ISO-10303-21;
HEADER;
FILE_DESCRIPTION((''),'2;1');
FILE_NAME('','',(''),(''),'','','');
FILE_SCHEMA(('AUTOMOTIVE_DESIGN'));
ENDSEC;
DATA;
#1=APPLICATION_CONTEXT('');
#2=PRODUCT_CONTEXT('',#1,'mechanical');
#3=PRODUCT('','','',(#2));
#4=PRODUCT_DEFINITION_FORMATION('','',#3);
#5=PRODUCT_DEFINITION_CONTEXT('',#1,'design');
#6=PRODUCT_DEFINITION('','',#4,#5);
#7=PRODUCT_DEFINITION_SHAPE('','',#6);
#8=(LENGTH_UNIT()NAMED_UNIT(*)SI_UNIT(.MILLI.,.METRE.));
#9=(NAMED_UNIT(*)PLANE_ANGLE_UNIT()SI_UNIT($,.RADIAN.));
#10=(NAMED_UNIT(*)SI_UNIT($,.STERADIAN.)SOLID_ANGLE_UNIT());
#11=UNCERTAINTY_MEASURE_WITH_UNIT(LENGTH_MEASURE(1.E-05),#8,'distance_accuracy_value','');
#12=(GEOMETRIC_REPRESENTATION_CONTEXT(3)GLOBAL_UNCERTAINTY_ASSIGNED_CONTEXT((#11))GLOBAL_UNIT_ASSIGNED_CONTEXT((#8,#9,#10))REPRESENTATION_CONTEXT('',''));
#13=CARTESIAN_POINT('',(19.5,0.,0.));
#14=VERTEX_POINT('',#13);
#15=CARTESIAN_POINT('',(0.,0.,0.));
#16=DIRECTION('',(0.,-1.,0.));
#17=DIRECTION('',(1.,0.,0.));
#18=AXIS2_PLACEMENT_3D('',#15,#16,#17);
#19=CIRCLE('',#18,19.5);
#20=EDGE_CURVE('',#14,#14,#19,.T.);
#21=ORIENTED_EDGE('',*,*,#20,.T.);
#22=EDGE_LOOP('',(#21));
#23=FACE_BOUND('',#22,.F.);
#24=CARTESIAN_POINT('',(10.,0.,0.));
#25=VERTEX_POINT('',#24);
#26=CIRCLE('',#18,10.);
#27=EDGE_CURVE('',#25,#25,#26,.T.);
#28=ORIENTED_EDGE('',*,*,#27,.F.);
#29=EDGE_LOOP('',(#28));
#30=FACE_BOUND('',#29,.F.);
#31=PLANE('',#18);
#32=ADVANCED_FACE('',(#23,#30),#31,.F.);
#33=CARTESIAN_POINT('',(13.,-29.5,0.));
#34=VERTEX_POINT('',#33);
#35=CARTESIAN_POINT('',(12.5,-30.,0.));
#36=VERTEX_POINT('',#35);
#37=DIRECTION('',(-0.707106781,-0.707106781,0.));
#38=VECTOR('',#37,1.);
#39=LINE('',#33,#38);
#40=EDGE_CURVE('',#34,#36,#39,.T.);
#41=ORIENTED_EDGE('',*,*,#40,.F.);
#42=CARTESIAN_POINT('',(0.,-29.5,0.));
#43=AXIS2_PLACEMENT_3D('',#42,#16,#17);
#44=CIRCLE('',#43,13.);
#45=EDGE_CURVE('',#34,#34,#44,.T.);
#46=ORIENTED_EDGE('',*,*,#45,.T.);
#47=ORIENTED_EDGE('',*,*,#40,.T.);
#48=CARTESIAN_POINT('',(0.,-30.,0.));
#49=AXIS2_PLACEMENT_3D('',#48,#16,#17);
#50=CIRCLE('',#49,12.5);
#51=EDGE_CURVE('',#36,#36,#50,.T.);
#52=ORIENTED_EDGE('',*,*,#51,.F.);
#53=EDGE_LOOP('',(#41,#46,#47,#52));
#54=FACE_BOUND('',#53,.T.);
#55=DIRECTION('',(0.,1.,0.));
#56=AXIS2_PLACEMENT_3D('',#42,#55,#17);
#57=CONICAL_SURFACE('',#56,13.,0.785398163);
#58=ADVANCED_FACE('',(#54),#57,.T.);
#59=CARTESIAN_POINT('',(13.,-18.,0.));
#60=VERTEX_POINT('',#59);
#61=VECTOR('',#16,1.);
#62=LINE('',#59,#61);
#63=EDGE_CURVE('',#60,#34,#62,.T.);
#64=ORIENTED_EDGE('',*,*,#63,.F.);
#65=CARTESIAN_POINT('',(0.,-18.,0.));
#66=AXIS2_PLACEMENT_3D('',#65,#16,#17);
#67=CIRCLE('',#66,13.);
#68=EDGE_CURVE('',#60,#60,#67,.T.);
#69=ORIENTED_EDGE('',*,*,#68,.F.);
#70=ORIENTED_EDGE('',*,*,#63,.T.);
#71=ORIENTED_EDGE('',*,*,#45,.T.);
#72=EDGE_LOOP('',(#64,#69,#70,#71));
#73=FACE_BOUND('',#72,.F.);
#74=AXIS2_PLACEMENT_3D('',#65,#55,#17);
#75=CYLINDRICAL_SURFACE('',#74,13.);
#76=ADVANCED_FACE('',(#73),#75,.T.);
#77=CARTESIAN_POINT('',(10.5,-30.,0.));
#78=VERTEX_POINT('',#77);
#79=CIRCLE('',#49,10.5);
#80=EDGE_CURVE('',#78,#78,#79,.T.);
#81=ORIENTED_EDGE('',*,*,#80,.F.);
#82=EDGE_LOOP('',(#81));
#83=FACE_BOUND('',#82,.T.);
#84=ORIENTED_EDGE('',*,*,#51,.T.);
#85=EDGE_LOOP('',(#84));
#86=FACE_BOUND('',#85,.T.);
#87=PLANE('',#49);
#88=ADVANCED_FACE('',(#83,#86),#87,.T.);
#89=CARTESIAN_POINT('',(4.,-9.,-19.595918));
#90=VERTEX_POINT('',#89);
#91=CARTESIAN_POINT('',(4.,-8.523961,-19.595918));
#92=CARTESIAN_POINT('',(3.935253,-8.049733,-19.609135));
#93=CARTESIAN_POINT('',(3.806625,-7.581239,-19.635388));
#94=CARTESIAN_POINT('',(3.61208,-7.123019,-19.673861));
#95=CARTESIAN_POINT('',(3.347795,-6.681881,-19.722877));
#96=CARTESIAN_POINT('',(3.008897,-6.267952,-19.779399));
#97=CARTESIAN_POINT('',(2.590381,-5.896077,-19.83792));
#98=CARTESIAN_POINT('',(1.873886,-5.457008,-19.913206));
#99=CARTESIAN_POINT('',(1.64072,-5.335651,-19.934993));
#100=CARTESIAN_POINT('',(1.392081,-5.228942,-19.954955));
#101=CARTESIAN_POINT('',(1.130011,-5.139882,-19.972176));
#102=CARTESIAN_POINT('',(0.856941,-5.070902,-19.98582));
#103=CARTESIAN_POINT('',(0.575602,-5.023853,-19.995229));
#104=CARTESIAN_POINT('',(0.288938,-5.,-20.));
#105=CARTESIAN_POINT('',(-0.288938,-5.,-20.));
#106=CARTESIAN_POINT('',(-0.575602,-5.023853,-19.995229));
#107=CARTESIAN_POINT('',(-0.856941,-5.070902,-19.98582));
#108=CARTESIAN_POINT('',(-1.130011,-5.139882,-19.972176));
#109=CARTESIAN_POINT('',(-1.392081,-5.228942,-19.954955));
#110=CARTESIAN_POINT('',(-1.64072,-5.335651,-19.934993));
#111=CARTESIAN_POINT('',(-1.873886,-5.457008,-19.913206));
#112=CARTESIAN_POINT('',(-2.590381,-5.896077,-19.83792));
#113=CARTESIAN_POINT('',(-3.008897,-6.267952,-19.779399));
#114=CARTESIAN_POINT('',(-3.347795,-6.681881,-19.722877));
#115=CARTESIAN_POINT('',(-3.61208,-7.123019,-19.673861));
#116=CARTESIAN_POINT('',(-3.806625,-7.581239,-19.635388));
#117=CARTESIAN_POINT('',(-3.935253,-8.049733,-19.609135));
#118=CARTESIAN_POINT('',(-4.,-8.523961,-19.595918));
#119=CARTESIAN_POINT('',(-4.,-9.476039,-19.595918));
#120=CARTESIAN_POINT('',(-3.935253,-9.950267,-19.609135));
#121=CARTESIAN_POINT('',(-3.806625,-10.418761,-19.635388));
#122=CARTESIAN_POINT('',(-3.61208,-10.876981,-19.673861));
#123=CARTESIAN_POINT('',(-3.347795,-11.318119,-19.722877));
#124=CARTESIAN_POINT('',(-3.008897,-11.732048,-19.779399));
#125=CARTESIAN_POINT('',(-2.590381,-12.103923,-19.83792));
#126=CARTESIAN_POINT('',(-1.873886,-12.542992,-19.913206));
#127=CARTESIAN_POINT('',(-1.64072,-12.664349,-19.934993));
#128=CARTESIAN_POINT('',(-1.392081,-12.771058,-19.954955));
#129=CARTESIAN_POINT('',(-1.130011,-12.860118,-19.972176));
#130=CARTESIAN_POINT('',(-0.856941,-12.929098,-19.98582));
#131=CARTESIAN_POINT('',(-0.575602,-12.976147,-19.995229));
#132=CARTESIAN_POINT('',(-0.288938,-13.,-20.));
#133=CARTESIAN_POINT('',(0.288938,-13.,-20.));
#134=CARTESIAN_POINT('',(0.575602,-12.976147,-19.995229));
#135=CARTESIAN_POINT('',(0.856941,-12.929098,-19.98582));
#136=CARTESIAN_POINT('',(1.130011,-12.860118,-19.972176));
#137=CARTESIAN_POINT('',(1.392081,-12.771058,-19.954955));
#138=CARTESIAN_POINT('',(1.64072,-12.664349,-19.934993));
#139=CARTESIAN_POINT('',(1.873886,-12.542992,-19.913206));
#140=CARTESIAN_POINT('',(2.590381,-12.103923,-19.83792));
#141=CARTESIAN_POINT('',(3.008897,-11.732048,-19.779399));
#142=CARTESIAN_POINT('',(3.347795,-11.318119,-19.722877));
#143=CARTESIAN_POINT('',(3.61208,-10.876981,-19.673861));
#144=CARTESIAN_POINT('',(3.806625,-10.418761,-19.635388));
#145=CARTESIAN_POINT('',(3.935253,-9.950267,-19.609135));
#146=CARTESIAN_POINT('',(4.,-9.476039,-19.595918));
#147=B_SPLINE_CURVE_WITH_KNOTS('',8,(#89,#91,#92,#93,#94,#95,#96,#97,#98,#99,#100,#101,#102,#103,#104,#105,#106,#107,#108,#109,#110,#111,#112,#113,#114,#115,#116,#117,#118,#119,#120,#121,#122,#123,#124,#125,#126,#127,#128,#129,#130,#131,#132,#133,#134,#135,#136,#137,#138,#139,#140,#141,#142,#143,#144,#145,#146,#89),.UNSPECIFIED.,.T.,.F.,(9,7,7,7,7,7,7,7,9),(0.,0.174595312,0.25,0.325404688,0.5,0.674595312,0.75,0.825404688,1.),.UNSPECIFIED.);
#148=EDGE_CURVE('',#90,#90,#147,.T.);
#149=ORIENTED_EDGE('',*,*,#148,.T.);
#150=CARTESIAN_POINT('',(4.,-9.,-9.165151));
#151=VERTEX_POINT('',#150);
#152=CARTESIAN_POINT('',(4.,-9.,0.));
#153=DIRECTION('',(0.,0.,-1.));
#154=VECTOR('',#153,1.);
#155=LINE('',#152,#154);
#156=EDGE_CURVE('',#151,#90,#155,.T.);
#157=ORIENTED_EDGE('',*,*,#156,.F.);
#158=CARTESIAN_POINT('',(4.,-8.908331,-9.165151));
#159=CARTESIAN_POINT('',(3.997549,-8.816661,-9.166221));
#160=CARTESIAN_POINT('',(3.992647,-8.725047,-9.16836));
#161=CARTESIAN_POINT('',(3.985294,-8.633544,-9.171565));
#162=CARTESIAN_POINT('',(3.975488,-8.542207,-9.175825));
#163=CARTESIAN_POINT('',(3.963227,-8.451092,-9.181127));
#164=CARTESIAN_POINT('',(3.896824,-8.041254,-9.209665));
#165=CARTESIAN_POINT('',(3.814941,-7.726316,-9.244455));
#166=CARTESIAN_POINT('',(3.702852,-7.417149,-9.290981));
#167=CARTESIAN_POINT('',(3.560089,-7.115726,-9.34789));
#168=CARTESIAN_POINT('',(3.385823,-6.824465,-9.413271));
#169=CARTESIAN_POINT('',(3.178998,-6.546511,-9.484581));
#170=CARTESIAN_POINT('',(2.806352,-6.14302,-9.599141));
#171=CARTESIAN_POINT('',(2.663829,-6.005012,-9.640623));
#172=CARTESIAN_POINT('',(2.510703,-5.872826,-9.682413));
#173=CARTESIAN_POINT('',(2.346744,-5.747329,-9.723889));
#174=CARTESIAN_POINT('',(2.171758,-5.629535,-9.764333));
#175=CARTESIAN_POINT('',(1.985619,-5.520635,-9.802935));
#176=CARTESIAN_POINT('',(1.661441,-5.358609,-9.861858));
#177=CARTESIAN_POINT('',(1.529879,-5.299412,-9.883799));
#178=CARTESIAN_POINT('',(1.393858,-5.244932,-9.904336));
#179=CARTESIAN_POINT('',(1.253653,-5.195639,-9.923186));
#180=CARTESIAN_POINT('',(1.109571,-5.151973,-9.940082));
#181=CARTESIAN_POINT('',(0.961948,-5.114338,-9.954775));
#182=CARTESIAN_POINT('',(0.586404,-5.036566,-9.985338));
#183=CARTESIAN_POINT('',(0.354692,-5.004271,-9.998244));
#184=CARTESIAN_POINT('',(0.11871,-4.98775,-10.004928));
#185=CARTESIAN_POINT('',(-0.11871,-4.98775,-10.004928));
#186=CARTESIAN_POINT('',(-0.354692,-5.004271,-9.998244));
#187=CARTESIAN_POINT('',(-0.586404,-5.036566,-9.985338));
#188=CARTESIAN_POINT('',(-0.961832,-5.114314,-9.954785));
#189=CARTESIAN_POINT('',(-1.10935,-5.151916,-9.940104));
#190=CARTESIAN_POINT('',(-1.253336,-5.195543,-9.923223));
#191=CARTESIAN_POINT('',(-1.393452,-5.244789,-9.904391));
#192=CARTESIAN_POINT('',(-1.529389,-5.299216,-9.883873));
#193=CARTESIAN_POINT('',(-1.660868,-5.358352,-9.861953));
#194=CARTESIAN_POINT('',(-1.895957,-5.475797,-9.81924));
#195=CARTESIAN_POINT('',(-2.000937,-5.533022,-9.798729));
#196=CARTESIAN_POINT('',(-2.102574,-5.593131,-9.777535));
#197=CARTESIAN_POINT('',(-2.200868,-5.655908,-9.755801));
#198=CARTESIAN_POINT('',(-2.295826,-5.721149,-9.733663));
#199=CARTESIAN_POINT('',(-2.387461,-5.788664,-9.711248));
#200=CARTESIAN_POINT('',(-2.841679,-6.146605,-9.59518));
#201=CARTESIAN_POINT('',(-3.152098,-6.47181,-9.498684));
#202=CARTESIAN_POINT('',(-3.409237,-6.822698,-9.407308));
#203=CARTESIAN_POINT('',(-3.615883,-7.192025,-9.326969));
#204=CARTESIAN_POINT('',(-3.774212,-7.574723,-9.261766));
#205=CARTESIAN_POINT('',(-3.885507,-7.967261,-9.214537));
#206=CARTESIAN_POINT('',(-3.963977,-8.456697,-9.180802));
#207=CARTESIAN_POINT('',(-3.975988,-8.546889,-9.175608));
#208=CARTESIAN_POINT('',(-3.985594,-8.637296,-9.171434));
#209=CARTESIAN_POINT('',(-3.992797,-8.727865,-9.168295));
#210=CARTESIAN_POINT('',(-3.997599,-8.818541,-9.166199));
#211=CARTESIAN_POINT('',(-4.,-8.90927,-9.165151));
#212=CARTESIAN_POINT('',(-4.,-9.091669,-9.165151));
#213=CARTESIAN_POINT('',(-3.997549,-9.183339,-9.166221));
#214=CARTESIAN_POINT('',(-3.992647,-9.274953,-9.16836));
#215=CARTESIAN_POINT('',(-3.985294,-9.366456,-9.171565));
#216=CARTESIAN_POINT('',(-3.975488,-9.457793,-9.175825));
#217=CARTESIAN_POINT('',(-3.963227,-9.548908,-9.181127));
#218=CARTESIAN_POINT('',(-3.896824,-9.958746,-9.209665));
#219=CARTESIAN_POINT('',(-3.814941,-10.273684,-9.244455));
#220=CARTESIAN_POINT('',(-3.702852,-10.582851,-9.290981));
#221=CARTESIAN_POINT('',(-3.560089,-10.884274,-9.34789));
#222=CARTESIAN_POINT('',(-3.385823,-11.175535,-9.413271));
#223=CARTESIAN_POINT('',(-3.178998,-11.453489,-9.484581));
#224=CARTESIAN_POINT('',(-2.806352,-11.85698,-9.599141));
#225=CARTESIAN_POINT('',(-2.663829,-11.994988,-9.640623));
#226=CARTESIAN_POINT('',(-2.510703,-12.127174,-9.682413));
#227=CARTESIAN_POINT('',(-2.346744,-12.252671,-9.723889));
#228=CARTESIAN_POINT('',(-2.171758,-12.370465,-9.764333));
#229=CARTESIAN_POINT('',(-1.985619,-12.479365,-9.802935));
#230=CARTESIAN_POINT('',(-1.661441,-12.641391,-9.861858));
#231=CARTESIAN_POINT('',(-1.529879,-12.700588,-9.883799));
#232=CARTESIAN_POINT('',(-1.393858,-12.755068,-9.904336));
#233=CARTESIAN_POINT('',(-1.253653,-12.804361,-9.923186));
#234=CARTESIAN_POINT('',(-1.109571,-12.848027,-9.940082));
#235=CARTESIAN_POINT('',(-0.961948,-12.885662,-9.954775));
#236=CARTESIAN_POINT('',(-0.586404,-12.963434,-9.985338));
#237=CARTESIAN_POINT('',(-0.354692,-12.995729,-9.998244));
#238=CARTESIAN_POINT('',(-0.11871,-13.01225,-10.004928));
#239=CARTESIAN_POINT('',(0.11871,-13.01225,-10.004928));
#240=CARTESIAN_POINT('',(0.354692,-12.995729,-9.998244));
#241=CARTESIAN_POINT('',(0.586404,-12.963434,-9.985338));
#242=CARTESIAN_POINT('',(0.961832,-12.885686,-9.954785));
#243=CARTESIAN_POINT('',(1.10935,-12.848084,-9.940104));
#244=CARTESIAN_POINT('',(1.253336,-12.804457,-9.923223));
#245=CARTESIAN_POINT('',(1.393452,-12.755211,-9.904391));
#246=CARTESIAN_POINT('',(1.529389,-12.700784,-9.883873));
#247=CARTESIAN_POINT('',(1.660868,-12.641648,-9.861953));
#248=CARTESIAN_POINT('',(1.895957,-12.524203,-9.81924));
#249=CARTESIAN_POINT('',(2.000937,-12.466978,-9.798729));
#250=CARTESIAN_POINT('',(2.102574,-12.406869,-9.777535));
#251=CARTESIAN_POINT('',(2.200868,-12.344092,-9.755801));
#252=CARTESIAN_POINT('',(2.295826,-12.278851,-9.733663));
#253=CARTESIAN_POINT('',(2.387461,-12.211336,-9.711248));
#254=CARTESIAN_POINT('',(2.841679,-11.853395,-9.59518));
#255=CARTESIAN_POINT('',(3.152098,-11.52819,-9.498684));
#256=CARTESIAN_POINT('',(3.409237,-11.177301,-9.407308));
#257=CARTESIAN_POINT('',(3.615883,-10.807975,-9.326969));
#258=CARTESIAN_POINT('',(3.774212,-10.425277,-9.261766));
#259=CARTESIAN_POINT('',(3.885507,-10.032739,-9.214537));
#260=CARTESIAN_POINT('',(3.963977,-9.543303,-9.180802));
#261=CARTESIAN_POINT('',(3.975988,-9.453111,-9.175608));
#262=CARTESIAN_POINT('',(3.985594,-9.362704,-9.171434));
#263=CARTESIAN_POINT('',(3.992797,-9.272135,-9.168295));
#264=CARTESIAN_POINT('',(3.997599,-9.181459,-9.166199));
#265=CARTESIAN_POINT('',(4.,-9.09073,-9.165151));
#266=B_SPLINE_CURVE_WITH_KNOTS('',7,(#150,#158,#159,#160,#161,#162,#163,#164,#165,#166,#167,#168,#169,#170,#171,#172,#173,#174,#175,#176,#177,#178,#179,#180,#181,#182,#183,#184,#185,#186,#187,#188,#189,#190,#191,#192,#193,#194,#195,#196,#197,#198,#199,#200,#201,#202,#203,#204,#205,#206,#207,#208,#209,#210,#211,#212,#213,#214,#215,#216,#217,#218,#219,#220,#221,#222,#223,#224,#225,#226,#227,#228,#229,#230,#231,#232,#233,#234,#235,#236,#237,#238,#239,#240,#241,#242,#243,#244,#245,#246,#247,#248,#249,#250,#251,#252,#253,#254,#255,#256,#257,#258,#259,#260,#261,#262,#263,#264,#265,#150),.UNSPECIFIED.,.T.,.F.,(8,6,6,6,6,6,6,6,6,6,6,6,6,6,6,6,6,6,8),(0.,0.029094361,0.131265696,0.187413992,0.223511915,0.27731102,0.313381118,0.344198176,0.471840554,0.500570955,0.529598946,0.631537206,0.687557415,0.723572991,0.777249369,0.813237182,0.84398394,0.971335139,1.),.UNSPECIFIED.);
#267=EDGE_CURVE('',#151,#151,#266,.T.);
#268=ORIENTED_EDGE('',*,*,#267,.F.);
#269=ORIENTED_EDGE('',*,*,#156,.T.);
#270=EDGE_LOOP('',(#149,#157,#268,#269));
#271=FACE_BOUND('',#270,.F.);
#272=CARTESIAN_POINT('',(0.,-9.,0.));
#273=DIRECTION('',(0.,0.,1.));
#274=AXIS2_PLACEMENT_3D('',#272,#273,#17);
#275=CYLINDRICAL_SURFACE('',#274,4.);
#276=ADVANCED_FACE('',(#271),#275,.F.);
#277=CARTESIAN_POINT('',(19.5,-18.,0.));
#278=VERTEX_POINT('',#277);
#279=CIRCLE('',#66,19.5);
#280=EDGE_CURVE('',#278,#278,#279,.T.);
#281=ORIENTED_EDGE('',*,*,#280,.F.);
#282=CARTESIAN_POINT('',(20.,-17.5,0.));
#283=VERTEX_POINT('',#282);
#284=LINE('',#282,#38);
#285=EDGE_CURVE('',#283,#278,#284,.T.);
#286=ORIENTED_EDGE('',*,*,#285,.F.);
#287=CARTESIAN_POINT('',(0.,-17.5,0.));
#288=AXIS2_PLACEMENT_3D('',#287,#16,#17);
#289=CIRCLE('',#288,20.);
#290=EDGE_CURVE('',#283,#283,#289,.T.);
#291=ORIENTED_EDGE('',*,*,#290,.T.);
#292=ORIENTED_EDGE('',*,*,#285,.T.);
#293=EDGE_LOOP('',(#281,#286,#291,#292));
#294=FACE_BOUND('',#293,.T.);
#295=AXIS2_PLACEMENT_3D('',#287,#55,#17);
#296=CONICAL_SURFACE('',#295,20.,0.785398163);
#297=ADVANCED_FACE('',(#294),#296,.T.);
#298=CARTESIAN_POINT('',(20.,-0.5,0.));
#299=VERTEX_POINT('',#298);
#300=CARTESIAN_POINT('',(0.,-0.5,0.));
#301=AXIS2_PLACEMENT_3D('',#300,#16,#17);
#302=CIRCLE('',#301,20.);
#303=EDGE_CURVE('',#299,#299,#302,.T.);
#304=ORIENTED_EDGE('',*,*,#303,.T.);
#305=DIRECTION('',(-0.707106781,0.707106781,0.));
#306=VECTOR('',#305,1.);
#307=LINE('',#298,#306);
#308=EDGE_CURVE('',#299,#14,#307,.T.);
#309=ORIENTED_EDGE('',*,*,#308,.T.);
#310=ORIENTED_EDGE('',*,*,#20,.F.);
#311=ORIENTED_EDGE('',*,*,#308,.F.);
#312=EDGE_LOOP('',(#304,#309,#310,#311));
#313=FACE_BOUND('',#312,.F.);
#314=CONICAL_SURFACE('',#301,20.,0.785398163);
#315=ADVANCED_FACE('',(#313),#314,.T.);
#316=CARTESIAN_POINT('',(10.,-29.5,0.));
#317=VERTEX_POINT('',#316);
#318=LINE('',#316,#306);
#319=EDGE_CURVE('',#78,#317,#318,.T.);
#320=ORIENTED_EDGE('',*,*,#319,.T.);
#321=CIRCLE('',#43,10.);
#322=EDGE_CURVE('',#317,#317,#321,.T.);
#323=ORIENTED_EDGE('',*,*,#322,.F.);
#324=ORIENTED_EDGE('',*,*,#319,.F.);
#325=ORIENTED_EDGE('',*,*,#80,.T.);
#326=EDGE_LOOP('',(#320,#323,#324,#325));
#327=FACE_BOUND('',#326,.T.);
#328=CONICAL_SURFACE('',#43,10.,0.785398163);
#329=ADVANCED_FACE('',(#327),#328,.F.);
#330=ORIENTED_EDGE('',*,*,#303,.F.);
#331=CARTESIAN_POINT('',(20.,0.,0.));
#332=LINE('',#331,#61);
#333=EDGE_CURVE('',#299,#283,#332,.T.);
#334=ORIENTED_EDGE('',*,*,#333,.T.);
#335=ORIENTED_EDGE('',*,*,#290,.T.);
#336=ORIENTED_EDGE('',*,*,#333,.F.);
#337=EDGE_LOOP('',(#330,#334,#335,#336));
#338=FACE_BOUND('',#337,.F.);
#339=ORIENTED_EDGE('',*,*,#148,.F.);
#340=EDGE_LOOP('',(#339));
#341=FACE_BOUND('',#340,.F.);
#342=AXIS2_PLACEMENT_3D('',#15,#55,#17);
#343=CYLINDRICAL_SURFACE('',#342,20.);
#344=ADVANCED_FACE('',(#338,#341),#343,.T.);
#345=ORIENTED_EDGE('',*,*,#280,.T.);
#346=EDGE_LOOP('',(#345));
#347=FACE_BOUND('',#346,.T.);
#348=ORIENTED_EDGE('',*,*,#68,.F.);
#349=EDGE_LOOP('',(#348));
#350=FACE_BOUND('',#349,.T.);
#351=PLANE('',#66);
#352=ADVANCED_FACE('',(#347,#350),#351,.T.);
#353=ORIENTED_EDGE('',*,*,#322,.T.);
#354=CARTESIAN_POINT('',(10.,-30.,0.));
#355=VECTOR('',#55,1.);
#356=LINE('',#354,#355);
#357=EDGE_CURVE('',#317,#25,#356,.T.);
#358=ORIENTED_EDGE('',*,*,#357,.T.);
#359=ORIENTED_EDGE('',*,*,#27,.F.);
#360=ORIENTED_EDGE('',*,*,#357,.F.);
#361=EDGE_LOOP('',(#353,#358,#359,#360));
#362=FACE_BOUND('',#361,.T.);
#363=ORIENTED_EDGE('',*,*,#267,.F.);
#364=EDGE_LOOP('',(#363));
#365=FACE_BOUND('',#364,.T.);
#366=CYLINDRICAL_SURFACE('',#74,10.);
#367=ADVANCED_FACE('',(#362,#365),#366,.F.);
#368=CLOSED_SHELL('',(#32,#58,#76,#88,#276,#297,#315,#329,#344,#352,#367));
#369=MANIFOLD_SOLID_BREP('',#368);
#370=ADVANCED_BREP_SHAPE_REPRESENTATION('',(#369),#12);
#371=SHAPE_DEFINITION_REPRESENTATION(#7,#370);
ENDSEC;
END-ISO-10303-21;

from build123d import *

# Parameters (mm, degrees)
F0_R     = 20
F0_R_2   = 10
F1_DEPTH = 18
F2_R     = 4
F3_DEPTH = 25
F4_R     = 13
F4_R_2   = 10
F5_DEPTH = 12
F6_SIZE  = 0.5


with BuildPart() as f1:
    # F0 (on Front) → F1 (new body)
    with BuildSketch(Plane.XZ):
        Circle(F0_R)
        Circle(F0_R_2, mode=Mode.SUBTRACT)
    extrude(amount=F1_DEPTH)

    # F2 (on Top) → F3 (cut)
    with BuildSketch(Plane.XY):
        with Locations((0, -9)):
            Circle(F2_R)
    extrude(amount=-F3_DEPTH, mode=Mode.SUBTRACT)

    # F4 (on face) → F5 (join)
    with BuildSketch(Plane.XZ.offset(18)):
        Circle(F4_R)
        Circle(F4_R_2, mode=Mode.SUBTRACT)
    extrude(amount=F5_DEPTH)

    # F6
    f6_edges = [f1.edges().sort_by_distance(p)[0] for p in [
        (-13, -30, 0),
        (-10, -30, 0),
        (-20, -18, 0),
        (-20, 0, 0),
    ]]
    chamfer(f6_edges, length=F6_SIZE)


solid = f1.part
